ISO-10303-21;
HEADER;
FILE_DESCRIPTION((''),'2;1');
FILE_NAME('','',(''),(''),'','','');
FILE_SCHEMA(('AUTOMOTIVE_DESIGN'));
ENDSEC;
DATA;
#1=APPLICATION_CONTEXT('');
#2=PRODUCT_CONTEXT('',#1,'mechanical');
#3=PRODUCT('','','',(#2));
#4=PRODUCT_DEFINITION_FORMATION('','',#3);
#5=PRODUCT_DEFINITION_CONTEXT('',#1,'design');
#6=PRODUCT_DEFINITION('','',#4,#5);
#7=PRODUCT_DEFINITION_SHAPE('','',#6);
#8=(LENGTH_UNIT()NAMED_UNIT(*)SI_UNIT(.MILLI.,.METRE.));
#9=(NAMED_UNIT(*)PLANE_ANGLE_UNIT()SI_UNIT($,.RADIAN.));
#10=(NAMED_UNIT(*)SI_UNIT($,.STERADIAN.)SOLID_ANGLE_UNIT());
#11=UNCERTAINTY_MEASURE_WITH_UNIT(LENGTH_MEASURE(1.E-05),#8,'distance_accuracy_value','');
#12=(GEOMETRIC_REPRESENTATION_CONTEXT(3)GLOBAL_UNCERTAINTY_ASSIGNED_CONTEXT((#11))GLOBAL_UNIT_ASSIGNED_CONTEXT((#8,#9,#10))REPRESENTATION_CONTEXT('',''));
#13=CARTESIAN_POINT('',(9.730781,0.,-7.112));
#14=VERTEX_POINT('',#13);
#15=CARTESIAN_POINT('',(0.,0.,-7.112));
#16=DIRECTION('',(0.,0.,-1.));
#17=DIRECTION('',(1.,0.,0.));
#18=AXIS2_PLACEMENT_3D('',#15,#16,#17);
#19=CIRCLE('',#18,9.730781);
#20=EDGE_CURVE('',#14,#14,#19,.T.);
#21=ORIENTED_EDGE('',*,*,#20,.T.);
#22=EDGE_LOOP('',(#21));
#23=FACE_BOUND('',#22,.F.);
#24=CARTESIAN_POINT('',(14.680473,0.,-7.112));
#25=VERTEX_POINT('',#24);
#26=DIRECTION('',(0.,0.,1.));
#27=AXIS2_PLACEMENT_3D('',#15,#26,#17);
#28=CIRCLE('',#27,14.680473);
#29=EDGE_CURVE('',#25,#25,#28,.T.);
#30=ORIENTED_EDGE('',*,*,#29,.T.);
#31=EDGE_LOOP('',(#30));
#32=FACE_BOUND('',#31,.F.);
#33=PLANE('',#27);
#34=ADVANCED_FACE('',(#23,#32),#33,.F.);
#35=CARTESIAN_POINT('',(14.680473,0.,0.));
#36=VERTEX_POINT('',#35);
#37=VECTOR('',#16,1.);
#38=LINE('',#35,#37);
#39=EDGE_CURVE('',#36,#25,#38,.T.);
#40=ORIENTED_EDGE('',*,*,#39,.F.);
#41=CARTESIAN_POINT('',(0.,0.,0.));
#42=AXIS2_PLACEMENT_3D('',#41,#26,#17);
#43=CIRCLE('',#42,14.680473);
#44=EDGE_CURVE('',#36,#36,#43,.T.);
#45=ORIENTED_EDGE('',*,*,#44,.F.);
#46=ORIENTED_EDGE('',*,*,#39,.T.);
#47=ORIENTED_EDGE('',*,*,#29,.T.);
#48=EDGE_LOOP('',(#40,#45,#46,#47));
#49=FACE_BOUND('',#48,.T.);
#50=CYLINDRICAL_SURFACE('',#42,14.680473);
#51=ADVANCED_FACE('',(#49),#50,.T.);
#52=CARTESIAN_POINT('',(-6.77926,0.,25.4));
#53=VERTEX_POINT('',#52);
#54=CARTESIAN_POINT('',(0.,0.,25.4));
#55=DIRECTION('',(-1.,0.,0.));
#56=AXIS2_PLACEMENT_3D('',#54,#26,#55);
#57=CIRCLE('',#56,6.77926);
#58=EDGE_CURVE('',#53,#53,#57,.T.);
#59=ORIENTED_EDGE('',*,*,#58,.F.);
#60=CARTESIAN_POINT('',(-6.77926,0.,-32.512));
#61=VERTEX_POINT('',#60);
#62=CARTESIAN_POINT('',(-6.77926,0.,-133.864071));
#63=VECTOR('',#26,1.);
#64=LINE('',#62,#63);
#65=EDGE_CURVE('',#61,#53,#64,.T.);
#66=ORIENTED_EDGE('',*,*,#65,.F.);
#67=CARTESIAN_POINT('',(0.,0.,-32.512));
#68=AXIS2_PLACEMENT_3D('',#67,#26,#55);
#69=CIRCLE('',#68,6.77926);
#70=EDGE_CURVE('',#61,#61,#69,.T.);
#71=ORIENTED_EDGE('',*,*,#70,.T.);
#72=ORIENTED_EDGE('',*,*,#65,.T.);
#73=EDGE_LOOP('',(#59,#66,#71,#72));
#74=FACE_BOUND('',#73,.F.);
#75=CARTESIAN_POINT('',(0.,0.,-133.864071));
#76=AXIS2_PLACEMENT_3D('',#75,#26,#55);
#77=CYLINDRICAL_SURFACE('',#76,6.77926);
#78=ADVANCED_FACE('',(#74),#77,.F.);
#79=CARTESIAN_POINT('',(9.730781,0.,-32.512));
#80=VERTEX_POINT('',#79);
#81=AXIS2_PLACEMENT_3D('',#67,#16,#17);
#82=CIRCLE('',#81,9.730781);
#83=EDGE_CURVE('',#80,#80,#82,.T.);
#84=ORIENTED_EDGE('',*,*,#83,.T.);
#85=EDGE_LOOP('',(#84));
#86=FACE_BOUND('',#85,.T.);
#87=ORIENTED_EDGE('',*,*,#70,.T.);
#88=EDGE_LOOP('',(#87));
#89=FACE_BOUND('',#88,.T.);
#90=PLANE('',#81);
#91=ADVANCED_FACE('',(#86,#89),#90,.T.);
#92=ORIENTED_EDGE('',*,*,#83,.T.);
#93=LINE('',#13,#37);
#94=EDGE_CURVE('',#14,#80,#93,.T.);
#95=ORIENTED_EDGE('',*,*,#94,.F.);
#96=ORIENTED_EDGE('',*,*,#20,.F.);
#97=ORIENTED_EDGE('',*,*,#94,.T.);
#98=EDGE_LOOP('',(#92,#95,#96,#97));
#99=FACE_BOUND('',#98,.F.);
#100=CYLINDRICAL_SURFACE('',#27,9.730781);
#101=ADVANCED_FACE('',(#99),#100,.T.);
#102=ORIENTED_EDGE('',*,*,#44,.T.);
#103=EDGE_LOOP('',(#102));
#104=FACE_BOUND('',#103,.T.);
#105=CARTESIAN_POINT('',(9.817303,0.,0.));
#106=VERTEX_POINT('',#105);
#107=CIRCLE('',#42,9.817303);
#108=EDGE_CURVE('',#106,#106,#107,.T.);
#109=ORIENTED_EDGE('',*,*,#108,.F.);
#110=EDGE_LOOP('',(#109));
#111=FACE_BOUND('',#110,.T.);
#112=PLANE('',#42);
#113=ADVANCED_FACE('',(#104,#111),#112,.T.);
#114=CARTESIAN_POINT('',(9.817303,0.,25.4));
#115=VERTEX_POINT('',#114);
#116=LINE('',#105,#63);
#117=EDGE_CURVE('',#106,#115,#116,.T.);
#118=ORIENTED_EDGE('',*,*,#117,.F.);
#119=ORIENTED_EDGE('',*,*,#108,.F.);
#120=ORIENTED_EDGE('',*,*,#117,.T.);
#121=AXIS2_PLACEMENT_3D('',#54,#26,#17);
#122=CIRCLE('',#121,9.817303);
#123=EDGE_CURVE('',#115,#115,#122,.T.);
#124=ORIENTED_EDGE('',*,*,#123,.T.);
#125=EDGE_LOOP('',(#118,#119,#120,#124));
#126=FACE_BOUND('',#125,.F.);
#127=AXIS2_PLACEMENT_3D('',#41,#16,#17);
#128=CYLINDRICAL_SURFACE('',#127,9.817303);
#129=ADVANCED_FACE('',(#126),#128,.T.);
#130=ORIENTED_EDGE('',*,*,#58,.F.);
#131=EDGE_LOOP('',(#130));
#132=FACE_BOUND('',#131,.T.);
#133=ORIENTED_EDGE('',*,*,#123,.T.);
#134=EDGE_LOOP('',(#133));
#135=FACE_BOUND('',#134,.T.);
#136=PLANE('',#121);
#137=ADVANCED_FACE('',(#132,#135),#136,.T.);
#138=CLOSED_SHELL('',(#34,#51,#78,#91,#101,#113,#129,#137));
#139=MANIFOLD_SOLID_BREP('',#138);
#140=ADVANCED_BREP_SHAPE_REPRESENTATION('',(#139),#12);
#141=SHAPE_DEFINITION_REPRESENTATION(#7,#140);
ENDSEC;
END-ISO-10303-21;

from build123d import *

# Parameters (mm, degrees)
F0_R      = 9.817303
F1_DEPTH  = 25.4
F3_R      = 6.778938
F4_DEPTH  = 25.4
F5_R      = 14.680473
F6_DEPTH  = 7.112
F7_R      = 9.730781
F8_DEPTH  = 25.4
F9_R      = 6.676703
F10_DEPTH = 92.456
F11_D     = 13.55852


with BuildPart() as f1:
    # F0 (on Top) → F1 (new body)
    with BuildSketch(Plane.XY):
        Circle(F0_R)
    extrude(amount=F1_DEPTH)

    # F3 (on face) → F4 (cut)
    with BuildSketch(Plane.XY.offset(25.4)):
        Circle(F3_R)
    extrude(amount=-F4_DEPTH, mode=Mode.SUBTRACT)

    # F5 (on Top) → F6 (join)
    with BuildSketch(Plane.XY):
        Circle(F5_R)
    extrude(amount=-F6_DEPTH)

    # F7 (on face) → F8 (join)
    with BuildSketch(Plane(origin=(0, 0, -7.112), x_dir=(1, 0, 0), z_dir=(0, 0, -1))):
        Circle(F7_R)
    extrude(amount=F8_DEPTH)

    # F9 (on face) → F10 (join)
    with BuildSketch(Plane(origin=(0, 0, -32.512), x_dir=(1, 0, 0), z_dir=(0, 0, -1))):
        Circle(F9_R)
    extrude(amount=-F10_DEPTH)

    # F11 (through all)
    with Locations(Plane(origin=(0, 0, -32.512), x_dir=(1, 0, 0), z_dir=(0, 0, -1))):
        with Locations((0, 0)):
            Hole(F11_D / 2)


solid = f1.part
